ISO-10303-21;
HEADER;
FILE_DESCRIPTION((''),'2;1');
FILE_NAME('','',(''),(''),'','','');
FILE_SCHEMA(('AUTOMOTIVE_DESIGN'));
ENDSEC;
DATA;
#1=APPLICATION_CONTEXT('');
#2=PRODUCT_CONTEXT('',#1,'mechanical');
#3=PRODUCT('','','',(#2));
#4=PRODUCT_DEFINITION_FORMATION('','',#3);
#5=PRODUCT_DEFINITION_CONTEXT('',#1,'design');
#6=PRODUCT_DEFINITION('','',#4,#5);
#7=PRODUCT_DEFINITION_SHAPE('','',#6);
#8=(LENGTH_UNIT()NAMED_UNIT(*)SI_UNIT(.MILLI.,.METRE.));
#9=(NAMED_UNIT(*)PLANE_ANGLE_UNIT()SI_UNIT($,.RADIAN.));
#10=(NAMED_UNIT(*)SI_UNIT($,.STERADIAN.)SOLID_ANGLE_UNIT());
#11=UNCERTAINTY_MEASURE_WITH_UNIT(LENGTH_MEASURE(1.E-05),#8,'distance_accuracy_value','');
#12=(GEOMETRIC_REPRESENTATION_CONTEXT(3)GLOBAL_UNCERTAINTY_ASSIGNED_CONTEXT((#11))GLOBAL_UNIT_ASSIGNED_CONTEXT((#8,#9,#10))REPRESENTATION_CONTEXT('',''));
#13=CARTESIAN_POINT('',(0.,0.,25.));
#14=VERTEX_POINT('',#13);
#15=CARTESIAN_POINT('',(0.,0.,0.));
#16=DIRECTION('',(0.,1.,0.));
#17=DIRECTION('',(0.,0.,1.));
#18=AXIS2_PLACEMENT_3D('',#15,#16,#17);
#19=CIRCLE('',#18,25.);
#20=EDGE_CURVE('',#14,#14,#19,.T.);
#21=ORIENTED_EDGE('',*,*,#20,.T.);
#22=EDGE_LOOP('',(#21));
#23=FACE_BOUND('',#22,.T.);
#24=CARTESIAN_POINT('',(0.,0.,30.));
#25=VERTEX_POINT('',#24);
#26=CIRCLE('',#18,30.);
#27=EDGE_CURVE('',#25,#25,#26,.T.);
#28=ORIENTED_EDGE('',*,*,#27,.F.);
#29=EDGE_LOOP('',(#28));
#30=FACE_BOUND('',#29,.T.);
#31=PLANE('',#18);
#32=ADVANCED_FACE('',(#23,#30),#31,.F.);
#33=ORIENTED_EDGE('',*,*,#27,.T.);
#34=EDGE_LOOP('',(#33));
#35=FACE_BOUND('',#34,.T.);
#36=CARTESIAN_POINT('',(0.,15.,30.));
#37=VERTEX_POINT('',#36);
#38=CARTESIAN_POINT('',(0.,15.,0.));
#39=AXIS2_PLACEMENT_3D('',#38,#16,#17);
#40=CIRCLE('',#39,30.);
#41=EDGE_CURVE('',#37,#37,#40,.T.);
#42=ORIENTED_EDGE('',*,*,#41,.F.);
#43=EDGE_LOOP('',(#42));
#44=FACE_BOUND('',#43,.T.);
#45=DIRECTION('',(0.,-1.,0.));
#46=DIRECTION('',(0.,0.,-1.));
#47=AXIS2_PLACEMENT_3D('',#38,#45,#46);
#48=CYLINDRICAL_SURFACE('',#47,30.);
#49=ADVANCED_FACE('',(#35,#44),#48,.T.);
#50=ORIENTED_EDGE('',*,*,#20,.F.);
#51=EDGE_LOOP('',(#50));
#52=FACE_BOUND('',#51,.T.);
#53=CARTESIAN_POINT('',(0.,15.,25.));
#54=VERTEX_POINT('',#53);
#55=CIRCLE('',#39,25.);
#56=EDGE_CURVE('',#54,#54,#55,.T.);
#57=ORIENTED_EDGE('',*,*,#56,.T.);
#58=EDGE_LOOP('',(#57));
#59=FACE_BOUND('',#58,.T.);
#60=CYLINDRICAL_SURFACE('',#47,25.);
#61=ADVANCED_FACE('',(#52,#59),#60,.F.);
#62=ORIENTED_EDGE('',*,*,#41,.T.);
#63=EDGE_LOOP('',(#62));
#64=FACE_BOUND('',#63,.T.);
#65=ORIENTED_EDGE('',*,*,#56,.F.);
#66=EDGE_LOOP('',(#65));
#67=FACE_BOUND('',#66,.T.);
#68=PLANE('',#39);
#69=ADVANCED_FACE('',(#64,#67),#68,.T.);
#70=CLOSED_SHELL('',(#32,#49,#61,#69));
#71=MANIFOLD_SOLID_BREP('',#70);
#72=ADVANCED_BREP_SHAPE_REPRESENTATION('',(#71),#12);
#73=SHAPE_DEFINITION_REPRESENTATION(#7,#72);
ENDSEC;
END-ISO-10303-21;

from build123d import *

# Parameters (mm, degrees)
SKETCH1_R           = 30
SKETCH1_R_2         = 25
BOSS_EXTRUDE1_DEPTH = 15


with BuildPart() as part:
    # Sketch1 → Boss-Extrude1 (new body)
    with BuildSketch(Plane(origin=(0, 0, 0), x_dir=(1, 0, 0), z_dir=(0, 1, 0))):
        with Locations(Location((0, 0, 0), (0, 0, 270))):
            Circle(SKETCH1_R)
        with Locations(Location((0, 0, 0), (0, 0, 270))):
            Circle(SKETCH1_R_2, mode=Mode.SUBTRACT)
    extrude(amount=BOSS_EXTRUDE1_DEPTH)


solid = part.part
